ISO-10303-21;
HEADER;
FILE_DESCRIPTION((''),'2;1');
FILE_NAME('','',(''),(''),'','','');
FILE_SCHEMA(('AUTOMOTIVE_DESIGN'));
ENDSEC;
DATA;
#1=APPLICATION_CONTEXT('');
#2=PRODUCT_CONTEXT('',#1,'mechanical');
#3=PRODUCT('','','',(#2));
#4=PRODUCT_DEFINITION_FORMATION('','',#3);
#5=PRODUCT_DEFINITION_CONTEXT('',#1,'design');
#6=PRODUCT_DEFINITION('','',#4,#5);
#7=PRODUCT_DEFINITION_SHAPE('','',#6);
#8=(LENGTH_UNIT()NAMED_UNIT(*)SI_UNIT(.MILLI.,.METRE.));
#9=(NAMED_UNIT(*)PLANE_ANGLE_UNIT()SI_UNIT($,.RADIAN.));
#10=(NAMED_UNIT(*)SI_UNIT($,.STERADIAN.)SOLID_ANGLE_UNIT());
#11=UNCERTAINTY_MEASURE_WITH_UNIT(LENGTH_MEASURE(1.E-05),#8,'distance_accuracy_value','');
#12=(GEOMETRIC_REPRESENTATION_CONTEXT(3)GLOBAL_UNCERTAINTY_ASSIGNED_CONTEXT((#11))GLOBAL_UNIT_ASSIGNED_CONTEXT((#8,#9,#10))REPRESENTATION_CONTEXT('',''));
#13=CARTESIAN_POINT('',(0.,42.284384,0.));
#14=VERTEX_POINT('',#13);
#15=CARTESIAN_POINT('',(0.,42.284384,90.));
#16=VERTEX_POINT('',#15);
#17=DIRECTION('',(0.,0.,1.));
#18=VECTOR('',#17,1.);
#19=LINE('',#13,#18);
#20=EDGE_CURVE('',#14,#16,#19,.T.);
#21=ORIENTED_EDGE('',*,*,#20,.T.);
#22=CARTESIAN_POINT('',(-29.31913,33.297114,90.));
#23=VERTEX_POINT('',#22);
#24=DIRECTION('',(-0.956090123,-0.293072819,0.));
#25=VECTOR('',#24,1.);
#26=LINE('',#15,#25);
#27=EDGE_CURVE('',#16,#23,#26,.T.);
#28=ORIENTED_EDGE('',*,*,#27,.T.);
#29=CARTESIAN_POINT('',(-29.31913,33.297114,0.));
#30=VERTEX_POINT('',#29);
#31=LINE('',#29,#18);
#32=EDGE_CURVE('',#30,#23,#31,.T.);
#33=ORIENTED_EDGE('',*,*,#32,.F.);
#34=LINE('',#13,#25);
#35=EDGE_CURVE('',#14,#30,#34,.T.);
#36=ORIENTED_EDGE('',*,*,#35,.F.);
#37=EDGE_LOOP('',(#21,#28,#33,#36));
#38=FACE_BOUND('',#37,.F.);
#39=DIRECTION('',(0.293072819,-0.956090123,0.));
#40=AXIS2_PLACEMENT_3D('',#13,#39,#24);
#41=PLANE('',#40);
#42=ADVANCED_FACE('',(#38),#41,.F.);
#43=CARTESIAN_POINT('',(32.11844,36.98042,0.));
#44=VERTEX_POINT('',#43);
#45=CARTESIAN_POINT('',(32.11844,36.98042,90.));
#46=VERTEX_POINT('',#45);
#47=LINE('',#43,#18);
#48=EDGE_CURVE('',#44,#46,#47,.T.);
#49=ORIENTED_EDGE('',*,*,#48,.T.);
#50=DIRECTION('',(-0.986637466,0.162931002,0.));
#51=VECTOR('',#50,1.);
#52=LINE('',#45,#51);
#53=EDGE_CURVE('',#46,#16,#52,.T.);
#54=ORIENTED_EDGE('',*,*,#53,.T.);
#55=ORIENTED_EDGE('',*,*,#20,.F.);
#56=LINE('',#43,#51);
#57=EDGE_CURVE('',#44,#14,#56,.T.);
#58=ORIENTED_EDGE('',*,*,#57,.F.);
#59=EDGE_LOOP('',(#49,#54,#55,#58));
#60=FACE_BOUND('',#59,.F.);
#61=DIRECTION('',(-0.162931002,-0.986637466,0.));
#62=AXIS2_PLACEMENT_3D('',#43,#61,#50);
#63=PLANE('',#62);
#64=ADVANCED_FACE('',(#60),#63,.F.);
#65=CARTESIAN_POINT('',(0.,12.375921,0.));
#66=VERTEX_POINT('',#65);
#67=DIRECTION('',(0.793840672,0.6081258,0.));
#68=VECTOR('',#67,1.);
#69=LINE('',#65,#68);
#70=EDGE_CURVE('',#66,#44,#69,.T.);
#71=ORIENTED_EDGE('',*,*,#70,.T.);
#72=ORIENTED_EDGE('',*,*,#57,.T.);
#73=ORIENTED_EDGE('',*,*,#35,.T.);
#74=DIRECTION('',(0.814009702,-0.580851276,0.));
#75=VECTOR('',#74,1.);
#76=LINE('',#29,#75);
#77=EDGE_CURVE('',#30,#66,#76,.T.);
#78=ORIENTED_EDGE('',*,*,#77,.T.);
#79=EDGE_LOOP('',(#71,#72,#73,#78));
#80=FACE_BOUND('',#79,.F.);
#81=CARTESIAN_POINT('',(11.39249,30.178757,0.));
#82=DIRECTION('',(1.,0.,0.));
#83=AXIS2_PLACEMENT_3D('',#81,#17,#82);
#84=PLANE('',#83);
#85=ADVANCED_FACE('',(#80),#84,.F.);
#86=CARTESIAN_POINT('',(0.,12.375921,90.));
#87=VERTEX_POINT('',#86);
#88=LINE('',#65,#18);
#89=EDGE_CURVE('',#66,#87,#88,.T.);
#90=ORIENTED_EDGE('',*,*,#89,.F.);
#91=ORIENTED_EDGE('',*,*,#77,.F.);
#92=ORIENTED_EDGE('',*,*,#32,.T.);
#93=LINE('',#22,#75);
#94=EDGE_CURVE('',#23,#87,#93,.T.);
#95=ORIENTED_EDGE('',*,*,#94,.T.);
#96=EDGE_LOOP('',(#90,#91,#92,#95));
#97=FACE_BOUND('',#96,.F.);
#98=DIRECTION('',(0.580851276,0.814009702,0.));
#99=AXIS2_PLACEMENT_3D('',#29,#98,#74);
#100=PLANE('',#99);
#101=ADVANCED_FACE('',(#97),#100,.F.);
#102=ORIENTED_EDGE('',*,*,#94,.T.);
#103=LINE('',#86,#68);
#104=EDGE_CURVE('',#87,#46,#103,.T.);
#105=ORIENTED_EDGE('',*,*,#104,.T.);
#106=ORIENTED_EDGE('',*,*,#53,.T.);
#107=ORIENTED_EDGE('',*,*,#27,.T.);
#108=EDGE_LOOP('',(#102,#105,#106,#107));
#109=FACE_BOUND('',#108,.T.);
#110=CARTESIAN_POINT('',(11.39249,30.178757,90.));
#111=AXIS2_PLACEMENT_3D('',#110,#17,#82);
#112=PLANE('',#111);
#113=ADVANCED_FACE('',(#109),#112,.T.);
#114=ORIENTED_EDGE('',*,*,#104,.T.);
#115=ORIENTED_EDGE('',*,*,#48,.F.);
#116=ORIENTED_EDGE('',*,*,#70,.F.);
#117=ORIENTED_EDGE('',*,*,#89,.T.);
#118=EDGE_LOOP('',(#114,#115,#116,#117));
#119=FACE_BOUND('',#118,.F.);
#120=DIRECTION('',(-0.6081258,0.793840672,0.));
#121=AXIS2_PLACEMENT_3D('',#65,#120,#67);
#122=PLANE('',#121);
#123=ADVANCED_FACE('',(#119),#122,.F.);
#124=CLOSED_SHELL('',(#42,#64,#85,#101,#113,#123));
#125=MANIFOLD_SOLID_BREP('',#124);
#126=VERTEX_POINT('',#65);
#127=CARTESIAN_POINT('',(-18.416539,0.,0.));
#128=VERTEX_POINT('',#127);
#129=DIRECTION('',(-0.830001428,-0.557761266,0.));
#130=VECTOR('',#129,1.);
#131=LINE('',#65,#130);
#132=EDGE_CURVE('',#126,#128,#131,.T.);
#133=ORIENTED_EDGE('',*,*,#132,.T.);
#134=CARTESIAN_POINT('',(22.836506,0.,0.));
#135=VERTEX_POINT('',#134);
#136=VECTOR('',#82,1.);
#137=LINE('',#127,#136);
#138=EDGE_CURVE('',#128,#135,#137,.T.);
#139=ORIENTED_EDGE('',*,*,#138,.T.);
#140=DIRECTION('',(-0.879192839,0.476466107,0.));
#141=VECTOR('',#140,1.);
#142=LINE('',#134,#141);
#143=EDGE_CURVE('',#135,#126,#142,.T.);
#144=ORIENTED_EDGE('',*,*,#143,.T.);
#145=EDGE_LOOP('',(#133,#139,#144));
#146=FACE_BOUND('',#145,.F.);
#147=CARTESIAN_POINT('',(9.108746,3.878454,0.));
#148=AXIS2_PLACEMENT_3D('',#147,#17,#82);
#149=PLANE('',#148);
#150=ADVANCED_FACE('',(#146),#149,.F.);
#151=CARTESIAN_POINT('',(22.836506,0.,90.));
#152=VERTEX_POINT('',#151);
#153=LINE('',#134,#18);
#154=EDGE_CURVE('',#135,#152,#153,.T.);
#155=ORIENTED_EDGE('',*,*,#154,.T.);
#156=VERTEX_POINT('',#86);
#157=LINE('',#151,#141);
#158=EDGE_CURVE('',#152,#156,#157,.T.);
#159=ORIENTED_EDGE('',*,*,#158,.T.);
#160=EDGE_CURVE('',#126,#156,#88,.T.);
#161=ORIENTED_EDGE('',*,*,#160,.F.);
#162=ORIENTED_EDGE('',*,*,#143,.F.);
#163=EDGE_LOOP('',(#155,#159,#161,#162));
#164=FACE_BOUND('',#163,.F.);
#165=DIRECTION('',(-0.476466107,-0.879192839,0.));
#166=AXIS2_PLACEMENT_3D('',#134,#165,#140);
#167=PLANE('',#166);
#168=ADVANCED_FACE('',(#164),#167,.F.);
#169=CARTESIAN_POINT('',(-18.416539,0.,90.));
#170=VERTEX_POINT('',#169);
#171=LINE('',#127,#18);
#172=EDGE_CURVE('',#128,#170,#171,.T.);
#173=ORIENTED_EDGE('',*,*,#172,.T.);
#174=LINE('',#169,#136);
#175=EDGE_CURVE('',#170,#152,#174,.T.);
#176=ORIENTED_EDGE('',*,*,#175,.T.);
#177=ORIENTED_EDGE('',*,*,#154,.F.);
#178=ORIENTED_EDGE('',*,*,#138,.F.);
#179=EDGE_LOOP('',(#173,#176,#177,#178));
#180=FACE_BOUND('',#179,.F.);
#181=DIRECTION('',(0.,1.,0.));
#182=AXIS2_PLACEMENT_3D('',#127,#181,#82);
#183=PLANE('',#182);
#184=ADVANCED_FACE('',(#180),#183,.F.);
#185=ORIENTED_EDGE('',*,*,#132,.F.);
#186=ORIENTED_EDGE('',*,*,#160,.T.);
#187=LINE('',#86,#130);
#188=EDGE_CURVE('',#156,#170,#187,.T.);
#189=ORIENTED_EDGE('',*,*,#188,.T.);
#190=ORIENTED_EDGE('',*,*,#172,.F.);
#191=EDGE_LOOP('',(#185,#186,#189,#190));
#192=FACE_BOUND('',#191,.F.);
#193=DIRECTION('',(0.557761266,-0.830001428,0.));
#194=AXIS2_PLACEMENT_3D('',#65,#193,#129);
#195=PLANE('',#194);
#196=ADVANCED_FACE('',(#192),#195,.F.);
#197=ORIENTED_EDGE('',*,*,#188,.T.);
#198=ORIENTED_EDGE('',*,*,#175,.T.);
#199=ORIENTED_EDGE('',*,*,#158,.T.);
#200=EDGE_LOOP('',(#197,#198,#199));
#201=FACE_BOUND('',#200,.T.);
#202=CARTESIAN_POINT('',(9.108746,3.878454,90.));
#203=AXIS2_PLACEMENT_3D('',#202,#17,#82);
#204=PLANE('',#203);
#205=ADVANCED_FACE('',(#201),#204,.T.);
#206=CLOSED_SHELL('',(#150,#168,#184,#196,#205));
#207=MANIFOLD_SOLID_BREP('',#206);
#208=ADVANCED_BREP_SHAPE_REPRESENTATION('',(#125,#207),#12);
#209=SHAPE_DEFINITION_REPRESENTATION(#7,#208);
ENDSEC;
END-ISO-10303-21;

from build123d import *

# Parameters (mm, degrees)
F1_DEPTH = 90


with BuildPart() as f1:
    # F0 (on Top) → F1 (new body)
    with BuildSketch(Plane.XY):
        Polygon((32.11844, 36.98042), (0, 42.284384), (0, 12.375921), align=None)
        Polygon((22.836506, 0), (0, 12.375921), (0, 0), align=None)
        Polygon((0, 0), (0, 12.375921), (-18.416539, 0), align=None)
        Polygon((0, 12.375921), (0, 42.284384), (-29.31913, 33.297114), align=None)
    extrude(amount=F1_DEPTH)


solid = f1.part
